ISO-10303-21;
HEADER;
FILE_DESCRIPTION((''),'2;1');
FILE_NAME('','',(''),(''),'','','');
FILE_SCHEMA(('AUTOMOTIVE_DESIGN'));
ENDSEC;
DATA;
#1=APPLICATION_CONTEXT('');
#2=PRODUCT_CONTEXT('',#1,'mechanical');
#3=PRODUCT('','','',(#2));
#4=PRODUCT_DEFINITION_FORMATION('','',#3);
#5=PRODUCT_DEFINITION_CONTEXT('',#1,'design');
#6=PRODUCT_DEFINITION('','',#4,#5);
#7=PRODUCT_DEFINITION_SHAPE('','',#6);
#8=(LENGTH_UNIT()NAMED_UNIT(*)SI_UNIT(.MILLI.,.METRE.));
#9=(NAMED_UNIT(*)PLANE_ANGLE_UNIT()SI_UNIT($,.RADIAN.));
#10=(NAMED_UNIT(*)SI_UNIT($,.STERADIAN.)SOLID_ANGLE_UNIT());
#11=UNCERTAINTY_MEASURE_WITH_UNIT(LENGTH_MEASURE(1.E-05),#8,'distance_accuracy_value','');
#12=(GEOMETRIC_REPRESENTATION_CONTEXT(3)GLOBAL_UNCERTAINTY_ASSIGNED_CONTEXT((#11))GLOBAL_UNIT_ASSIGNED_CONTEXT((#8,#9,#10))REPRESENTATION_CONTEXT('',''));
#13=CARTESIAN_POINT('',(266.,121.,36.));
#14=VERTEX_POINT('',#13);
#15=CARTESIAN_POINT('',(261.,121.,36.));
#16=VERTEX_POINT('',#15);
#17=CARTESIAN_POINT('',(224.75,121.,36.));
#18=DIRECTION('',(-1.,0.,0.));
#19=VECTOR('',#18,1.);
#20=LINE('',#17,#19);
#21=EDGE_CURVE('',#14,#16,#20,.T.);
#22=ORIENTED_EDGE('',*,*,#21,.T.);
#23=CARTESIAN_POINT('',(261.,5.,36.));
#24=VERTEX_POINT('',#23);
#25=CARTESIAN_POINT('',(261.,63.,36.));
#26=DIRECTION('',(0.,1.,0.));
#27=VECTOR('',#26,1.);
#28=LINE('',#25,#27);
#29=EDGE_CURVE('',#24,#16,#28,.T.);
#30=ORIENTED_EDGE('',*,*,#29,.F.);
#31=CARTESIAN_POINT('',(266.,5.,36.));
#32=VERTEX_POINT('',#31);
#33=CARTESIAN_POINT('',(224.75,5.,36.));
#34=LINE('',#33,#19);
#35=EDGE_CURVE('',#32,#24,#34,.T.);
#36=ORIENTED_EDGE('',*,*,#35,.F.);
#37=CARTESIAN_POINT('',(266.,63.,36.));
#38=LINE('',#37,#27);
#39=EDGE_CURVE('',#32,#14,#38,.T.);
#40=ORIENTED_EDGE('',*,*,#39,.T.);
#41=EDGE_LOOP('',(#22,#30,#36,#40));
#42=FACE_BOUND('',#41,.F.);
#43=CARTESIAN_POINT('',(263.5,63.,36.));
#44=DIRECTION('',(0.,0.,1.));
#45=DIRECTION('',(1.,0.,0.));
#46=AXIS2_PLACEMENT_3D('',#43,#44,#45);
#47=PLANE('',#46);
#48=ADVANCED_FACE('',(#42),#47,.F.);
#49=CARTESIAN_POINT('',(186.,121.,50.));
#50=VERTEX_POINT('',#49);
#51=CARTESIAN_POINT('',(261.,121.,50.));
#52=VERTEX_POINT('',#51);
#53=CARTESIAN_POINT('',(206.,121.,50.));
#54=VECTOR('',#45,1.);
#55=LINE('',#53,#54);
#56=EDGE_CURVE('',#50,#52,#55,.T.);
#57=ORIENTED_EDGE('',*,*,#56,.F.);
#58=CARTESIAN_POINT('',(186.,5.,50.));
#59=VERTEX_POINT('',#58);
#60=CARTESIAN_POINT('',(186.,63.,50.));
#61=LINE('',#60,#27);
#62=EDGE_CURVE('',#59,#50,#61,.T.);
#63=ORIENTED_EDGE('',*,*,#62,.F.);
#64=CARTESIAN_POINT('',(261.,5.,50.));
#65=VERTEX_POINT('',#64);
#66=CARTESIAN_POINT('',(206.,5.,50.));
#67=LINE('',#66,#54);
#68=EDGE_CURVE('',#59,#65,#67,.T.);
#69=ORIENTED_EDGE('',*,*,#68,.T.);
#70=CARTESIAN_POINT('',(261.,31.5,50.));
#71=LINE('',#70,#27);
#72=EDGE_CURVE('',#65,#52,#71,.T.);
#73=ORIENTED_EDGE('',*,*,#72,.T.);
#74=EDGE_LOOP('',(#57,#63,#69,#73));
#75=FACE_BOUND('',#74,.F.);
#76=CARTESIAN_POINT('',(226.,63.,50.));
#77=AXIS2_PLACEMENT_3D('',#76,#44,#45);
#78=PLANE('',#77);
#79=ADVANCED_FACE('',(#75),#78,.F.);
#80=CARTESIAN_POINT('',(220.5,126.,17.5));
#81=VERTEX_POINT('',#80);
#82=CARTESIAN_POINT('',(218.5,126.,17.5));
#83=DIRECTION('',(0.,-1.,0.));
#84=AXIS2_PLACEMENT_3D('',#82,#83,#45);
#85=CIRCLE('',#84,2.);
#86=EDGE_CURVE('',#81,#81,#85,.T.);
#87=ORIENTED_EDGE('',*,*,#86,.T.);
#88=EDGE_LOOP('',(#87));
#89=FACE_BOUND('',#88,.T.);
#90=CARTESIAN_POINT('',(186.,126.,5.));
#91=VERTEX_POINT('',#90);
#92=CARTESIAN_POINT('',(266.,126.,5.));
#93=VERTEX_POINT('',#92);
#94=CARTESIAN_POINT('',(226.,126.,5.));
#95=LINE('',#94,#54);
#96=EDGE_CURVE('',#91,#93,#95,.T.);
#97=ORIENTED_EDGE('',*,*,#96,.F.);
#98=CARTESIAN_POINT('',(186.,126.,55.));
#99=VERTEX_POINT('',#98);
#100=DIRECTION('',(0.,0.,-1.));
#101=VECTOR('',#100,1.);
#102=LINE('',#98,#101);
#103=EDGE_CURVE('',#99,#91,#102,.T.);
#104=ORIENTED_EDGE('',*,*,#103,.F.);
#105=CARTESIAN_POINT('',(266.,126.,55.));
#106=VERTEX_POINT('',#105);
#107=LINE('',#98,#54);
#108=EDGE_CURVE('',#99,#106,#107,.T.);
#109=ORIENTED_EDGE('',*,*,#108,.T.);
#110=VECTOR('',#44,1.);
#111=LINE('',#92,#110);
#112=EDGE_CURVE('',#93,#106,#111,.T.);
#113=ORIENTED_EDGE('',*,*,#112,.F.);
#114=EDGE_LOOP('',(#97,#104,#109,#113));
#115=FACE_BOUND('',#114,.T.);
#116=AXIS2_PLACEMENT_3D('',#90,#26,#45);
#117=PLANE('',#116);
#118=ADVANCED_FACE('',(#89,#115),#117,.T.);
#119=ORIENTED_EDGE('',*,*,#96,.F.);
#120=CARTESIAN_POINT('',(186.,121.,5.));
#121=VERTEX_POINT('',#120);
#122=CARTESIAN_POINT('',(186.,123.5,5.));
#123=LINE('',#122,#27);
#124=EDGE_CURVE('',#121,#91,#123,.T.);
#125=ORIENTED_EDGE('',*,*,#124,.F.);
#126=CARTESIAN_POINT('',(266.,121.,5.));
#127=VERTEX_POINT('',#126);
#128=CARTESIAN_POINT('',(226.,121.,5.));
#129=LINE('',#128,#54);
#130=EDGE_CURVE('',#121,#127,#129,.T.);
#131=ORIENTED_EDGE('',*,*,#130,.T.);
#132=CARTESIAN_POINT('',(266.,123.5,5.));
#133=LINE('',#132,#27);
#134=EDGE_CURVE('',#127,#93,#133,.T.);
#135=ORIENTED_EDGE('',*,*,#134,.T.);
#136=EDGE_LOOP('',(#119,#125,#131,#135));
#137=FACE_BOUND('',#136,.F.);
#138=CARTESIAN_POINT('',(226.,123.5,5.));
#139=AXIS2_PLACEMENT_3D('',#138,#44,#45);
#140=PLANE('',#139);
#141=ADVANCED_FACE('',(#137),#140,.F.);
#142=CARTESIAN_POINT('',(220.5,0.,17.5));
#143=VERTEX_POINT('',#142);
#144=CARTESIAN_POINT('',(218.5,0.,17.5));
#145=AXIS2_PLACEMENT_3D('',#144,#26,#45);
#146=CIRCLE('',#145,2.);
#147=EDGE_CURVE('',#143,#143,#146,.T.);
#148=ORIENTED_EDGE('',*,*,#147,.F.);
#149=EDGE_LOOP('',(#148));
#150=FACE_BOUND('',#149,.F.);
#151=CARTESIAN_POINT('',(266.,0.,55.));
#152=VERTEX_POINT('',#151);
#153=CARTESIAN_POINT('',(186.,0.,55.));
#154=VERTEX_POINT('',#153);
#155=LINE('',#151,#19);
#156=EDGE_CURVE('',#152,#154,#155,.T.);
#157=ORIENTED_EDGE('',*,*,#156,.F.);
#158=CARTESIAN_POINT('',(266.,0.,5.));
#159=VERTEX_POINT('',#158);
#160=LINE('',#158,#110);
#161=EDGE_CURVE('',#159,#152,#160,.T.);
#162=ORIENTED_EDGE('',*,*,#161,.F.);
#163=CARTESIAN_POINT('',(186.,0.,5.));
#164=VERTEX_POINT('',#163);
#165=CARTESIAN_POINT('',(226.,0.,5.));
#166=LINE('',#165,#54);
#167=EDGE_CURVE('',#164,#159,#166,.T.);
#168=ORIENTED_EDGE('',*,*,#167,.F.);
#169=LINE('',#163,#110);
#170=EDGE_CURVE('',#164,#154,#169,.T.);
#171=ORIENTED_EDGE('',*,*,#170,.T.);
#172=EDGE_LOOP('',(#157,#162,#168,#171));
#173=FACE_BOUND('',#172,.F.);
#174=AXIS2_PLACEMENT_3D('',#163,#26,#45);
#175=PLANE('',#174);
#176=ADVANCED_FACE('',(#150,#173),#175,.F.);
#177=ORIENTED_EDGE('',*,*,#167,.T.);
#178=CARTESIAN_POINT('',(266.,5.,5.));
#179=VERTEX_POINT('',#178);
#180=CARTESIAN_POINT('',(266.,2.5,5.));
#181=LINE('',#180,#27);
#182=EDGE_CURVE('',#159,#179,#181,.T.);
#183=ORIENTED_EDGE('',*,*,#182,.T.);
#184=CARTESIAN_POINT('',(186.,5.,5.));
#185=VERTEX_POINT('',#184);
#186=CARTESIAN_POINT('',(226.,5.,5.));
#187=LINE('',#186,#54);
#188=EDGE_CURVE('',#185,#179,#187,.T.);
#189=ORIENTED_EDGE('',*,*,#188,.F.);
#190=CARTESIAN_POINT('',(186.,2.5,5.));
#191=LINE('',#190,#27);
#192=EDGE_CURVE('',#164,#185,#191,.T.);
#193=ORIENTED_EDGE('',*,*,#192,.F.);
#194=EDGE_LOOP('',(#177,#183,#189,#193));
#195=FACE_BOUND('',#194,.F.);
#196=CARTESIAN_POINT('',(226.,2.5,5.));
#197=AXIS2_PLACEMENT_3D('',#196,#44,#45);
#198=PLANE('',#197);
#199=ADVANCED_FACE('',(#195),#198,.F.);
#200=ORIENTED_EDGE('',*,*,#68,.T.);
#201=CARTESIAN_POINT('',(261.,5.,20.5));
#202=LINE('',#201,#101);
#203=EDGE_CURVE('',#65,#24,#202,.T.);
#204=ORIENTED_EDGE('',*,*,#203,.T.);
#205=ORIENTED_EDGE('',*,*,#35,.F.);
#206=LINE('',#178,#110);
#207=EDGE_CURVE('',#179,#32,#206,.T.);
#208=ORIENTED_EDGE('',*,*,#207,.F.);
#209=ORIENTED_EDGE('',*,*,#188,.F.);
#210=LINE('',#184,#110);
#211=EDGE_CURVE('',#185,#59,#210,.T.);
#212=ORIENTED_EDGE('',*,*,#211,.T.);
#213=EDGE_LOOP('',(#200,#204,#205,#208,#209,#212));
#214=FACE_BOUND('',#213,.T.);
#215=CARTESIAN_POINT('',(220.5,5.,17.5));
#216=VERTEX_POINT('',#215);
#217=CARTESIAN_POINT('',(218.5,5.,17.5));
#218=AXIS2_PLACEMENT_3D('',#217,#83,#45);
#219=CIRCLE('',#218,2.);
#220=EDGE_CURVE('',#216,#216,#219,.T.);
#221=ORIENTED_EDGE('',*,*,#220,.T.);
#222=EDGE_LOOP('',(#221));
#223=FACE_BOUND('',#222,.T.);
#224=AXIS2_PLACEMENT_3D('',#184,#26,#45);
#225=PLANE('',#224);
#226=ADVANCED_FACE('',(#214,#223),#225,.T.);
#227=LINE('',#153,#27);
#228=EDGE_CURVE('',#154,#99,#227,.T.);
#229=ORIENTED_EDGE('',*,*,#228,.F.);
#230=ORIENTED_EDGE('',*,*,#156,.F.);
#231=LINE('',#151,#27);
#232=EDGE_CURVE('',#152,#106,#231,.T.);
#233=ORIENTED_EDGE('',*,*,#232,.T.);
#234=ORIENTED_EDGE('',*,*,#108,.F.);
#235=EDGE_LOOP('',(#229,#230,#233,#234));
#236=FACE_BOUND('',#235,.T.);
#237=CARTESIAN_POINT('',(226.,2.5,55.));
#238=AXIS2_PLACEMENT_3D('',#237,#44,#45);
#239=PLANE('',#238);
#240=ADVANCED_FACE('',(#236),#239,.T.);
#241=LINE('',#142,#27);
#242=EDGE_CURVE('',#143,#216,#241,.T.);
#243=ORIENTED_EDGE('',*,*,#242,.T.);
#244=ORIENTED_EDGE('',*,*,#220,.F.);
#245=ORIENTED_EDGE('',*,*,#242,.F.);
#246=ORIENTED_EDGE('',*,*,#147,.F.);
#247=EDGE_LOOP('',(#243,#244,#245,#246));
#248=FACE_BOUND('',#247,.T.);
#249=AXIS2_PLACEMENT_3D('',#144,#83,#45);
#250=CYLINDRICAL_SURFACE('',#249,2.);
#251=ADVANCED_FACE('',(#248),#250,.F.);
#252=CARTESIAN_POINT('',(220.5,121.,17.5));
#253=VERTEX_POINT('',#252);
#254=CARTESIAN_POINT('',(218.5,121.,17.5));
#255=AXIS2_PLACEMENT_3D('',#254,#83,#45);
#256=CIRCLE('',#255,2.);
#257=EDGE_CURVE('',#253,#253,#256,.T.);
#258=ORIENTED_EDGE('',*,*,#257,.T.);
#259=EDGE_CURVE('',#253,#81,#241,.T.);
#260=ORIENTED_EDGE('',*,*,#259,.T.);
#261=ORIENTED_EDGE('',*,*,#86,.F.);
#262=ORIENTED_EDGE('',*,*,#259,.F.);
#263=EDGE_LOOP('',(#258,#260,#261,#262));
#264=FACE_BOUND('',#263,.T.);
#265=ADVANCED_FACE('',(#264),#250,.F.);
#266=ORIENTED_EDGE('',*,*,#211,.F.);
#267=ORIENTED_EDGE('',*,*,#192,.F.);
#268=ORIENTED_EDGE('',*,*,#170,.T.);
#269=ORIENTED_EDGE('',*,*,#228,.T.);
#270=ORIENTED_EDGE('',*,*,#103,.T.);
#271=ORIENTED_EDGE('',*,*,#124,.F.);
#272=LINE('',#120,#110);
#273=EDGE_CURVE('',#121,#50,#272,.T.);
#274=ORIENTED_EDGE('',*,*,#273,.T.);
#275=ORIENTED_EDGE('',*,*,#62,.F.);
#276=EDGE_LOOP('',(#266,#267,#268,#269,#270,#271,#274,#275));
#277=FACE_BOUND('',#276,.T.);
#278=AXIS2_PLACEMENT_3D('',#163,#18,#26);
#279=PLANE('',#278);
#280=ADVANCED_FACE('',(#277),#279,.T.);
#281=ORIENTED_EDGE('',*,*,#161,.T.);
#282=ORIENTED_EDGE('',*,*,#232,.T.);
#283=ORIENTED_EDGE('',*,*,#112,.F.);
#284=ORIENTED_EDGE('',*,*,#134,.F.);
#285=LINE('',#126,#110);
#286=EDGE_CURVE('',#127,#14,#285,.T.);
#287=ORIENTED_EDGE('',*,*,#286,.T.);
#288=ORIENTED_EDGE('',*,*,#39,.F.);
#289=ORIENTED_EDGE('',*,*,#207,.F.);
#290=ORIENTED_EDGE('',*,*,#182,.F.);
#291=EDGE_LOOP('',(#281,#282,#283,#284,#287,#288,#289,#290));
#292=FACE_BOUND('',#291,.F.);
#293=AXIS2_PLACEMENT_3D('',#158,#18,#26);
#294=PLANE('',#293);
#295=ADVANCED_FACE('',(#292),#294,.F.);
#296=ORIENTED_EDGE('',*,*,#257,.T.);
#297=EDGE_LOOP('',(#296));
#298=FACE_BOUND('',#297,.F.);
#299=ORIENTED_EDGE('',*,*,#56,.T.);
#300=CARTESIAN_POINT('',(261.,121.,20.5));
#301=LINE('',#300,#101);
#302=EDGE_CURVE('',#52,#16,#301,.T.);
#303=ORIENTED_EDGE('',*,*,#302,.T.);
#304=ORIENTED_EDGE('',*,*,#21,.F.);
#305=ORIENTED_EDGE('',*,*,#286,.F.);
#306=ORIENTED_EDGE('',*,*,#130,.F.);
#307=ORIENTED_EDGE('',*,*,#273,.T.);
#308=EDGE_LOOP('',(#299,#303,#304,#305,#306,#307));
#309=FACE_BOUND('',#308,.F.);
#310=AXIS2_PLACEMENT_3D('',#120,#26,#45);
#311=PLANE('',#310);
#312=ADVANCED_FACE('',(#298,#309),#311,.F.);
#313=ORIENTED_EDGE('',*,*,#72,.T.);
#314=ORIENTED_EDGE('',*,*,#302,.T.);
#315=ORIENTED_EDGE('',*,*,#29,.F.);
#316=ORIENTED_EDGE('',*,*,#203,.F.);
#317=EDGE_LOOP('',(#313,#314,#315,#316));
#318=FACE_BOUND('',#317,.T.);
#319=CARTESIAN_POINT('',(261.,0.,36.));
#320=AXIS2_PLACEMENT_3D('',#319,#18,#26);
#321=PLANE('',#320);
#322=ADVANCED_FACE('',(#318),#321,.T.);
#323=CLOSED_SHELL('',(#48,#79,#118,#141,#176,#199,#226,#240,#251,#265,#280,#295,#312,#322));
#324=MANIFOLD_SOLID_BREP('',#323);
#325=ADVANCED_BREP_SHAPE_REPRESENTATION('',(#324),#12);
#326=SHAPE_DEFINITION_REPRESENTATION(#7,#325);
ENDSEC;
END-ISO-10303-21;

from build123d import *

# Parameters (mm, degrees)
CYLINDER012_R     = 2
CYLINDER012_DEPTH = 130
BOX015_W          = 80
BOX015_H          = 5
BOX015_DEPTH      = 50
BOX014_W          = 80
BOX014_H          = 5
BOX014_DEPTH      = 50
BOX013_W          = 80
BOX013_H          = 126
BOX013_DEPTH      = 5
BOX016_W          = 5
BOX016_H          = 126
BOX016_DEPTH      = 19


with BuildPart() as cylinder012:
    # Cylinder012 → Cylinder012 (new body)
    with BuildSketch(Plane(origin=(218.5, 0, 17.5), x_dir=(1, 0, 0), z_dir=(0, 1, 0))):
        Circle(CYLINDER012_R)
    extrude(amount=CYLINDER012_DEPTH)


with BuildPart() as cube015:
    # Box015 → Box015 (new body)
    with BuildSketch(Plane(origin=(186, 121, 5), x_dir=(1, 0, 0), z_dir=(0, 0, 1))):
        with Locations((40, 2.5)):
            Rectangle(BOX015_W, BOX015_H)
    extrude(amount=BOX015_DEPTH)


with BuildPart() as cube014:
    # Box014 → Box014 (new body)
    with BuildSketch(Plane(origin=(186, 0, 5), x_dir=(1, 0, 0), z_dir=(0, 0, 1))):
        with Locations((40, 2.5)):
            Rectangle(BOX014_W, BOX014_H)
    extrude(amount=BOX014_DEPTH)


with BuildPart() as cube013:
    # Box013 → Box013 (new body)
    with BuildSketch(Plane(origin=(186, 0, 50), x_dir=(1, 0, 0), z_dir=(0, 0, 1))):
        with Locations((40, 63)):
            Rectangle(BOX013_W, BOX013_H)
    extrude(amount=BOX013_DEPTH)


with BuildPart() as cut008004003:
    # Box016 → Box016 (new body)
    with BuildSketch(Plane(origin=(261, 0, 36), x_dir=(1, 0, 0), z_dir=(0, 0, 1))):
        with Locations((2.5, 63)):
            Rectangle(BOX016_W, BOX016_H)
    extrude(amount=BOX016_DEPTH)

    # Fusion003006: union Cube015, Cube014, Cube013
    add(cube015.part)
    add(cube014.part)
    add(cube013.part)

    # Cut008004003: cut Cylinder012
    add(cylinder012.part, mode=Mode.SUBTRACT)


solid = cut008004003.part
